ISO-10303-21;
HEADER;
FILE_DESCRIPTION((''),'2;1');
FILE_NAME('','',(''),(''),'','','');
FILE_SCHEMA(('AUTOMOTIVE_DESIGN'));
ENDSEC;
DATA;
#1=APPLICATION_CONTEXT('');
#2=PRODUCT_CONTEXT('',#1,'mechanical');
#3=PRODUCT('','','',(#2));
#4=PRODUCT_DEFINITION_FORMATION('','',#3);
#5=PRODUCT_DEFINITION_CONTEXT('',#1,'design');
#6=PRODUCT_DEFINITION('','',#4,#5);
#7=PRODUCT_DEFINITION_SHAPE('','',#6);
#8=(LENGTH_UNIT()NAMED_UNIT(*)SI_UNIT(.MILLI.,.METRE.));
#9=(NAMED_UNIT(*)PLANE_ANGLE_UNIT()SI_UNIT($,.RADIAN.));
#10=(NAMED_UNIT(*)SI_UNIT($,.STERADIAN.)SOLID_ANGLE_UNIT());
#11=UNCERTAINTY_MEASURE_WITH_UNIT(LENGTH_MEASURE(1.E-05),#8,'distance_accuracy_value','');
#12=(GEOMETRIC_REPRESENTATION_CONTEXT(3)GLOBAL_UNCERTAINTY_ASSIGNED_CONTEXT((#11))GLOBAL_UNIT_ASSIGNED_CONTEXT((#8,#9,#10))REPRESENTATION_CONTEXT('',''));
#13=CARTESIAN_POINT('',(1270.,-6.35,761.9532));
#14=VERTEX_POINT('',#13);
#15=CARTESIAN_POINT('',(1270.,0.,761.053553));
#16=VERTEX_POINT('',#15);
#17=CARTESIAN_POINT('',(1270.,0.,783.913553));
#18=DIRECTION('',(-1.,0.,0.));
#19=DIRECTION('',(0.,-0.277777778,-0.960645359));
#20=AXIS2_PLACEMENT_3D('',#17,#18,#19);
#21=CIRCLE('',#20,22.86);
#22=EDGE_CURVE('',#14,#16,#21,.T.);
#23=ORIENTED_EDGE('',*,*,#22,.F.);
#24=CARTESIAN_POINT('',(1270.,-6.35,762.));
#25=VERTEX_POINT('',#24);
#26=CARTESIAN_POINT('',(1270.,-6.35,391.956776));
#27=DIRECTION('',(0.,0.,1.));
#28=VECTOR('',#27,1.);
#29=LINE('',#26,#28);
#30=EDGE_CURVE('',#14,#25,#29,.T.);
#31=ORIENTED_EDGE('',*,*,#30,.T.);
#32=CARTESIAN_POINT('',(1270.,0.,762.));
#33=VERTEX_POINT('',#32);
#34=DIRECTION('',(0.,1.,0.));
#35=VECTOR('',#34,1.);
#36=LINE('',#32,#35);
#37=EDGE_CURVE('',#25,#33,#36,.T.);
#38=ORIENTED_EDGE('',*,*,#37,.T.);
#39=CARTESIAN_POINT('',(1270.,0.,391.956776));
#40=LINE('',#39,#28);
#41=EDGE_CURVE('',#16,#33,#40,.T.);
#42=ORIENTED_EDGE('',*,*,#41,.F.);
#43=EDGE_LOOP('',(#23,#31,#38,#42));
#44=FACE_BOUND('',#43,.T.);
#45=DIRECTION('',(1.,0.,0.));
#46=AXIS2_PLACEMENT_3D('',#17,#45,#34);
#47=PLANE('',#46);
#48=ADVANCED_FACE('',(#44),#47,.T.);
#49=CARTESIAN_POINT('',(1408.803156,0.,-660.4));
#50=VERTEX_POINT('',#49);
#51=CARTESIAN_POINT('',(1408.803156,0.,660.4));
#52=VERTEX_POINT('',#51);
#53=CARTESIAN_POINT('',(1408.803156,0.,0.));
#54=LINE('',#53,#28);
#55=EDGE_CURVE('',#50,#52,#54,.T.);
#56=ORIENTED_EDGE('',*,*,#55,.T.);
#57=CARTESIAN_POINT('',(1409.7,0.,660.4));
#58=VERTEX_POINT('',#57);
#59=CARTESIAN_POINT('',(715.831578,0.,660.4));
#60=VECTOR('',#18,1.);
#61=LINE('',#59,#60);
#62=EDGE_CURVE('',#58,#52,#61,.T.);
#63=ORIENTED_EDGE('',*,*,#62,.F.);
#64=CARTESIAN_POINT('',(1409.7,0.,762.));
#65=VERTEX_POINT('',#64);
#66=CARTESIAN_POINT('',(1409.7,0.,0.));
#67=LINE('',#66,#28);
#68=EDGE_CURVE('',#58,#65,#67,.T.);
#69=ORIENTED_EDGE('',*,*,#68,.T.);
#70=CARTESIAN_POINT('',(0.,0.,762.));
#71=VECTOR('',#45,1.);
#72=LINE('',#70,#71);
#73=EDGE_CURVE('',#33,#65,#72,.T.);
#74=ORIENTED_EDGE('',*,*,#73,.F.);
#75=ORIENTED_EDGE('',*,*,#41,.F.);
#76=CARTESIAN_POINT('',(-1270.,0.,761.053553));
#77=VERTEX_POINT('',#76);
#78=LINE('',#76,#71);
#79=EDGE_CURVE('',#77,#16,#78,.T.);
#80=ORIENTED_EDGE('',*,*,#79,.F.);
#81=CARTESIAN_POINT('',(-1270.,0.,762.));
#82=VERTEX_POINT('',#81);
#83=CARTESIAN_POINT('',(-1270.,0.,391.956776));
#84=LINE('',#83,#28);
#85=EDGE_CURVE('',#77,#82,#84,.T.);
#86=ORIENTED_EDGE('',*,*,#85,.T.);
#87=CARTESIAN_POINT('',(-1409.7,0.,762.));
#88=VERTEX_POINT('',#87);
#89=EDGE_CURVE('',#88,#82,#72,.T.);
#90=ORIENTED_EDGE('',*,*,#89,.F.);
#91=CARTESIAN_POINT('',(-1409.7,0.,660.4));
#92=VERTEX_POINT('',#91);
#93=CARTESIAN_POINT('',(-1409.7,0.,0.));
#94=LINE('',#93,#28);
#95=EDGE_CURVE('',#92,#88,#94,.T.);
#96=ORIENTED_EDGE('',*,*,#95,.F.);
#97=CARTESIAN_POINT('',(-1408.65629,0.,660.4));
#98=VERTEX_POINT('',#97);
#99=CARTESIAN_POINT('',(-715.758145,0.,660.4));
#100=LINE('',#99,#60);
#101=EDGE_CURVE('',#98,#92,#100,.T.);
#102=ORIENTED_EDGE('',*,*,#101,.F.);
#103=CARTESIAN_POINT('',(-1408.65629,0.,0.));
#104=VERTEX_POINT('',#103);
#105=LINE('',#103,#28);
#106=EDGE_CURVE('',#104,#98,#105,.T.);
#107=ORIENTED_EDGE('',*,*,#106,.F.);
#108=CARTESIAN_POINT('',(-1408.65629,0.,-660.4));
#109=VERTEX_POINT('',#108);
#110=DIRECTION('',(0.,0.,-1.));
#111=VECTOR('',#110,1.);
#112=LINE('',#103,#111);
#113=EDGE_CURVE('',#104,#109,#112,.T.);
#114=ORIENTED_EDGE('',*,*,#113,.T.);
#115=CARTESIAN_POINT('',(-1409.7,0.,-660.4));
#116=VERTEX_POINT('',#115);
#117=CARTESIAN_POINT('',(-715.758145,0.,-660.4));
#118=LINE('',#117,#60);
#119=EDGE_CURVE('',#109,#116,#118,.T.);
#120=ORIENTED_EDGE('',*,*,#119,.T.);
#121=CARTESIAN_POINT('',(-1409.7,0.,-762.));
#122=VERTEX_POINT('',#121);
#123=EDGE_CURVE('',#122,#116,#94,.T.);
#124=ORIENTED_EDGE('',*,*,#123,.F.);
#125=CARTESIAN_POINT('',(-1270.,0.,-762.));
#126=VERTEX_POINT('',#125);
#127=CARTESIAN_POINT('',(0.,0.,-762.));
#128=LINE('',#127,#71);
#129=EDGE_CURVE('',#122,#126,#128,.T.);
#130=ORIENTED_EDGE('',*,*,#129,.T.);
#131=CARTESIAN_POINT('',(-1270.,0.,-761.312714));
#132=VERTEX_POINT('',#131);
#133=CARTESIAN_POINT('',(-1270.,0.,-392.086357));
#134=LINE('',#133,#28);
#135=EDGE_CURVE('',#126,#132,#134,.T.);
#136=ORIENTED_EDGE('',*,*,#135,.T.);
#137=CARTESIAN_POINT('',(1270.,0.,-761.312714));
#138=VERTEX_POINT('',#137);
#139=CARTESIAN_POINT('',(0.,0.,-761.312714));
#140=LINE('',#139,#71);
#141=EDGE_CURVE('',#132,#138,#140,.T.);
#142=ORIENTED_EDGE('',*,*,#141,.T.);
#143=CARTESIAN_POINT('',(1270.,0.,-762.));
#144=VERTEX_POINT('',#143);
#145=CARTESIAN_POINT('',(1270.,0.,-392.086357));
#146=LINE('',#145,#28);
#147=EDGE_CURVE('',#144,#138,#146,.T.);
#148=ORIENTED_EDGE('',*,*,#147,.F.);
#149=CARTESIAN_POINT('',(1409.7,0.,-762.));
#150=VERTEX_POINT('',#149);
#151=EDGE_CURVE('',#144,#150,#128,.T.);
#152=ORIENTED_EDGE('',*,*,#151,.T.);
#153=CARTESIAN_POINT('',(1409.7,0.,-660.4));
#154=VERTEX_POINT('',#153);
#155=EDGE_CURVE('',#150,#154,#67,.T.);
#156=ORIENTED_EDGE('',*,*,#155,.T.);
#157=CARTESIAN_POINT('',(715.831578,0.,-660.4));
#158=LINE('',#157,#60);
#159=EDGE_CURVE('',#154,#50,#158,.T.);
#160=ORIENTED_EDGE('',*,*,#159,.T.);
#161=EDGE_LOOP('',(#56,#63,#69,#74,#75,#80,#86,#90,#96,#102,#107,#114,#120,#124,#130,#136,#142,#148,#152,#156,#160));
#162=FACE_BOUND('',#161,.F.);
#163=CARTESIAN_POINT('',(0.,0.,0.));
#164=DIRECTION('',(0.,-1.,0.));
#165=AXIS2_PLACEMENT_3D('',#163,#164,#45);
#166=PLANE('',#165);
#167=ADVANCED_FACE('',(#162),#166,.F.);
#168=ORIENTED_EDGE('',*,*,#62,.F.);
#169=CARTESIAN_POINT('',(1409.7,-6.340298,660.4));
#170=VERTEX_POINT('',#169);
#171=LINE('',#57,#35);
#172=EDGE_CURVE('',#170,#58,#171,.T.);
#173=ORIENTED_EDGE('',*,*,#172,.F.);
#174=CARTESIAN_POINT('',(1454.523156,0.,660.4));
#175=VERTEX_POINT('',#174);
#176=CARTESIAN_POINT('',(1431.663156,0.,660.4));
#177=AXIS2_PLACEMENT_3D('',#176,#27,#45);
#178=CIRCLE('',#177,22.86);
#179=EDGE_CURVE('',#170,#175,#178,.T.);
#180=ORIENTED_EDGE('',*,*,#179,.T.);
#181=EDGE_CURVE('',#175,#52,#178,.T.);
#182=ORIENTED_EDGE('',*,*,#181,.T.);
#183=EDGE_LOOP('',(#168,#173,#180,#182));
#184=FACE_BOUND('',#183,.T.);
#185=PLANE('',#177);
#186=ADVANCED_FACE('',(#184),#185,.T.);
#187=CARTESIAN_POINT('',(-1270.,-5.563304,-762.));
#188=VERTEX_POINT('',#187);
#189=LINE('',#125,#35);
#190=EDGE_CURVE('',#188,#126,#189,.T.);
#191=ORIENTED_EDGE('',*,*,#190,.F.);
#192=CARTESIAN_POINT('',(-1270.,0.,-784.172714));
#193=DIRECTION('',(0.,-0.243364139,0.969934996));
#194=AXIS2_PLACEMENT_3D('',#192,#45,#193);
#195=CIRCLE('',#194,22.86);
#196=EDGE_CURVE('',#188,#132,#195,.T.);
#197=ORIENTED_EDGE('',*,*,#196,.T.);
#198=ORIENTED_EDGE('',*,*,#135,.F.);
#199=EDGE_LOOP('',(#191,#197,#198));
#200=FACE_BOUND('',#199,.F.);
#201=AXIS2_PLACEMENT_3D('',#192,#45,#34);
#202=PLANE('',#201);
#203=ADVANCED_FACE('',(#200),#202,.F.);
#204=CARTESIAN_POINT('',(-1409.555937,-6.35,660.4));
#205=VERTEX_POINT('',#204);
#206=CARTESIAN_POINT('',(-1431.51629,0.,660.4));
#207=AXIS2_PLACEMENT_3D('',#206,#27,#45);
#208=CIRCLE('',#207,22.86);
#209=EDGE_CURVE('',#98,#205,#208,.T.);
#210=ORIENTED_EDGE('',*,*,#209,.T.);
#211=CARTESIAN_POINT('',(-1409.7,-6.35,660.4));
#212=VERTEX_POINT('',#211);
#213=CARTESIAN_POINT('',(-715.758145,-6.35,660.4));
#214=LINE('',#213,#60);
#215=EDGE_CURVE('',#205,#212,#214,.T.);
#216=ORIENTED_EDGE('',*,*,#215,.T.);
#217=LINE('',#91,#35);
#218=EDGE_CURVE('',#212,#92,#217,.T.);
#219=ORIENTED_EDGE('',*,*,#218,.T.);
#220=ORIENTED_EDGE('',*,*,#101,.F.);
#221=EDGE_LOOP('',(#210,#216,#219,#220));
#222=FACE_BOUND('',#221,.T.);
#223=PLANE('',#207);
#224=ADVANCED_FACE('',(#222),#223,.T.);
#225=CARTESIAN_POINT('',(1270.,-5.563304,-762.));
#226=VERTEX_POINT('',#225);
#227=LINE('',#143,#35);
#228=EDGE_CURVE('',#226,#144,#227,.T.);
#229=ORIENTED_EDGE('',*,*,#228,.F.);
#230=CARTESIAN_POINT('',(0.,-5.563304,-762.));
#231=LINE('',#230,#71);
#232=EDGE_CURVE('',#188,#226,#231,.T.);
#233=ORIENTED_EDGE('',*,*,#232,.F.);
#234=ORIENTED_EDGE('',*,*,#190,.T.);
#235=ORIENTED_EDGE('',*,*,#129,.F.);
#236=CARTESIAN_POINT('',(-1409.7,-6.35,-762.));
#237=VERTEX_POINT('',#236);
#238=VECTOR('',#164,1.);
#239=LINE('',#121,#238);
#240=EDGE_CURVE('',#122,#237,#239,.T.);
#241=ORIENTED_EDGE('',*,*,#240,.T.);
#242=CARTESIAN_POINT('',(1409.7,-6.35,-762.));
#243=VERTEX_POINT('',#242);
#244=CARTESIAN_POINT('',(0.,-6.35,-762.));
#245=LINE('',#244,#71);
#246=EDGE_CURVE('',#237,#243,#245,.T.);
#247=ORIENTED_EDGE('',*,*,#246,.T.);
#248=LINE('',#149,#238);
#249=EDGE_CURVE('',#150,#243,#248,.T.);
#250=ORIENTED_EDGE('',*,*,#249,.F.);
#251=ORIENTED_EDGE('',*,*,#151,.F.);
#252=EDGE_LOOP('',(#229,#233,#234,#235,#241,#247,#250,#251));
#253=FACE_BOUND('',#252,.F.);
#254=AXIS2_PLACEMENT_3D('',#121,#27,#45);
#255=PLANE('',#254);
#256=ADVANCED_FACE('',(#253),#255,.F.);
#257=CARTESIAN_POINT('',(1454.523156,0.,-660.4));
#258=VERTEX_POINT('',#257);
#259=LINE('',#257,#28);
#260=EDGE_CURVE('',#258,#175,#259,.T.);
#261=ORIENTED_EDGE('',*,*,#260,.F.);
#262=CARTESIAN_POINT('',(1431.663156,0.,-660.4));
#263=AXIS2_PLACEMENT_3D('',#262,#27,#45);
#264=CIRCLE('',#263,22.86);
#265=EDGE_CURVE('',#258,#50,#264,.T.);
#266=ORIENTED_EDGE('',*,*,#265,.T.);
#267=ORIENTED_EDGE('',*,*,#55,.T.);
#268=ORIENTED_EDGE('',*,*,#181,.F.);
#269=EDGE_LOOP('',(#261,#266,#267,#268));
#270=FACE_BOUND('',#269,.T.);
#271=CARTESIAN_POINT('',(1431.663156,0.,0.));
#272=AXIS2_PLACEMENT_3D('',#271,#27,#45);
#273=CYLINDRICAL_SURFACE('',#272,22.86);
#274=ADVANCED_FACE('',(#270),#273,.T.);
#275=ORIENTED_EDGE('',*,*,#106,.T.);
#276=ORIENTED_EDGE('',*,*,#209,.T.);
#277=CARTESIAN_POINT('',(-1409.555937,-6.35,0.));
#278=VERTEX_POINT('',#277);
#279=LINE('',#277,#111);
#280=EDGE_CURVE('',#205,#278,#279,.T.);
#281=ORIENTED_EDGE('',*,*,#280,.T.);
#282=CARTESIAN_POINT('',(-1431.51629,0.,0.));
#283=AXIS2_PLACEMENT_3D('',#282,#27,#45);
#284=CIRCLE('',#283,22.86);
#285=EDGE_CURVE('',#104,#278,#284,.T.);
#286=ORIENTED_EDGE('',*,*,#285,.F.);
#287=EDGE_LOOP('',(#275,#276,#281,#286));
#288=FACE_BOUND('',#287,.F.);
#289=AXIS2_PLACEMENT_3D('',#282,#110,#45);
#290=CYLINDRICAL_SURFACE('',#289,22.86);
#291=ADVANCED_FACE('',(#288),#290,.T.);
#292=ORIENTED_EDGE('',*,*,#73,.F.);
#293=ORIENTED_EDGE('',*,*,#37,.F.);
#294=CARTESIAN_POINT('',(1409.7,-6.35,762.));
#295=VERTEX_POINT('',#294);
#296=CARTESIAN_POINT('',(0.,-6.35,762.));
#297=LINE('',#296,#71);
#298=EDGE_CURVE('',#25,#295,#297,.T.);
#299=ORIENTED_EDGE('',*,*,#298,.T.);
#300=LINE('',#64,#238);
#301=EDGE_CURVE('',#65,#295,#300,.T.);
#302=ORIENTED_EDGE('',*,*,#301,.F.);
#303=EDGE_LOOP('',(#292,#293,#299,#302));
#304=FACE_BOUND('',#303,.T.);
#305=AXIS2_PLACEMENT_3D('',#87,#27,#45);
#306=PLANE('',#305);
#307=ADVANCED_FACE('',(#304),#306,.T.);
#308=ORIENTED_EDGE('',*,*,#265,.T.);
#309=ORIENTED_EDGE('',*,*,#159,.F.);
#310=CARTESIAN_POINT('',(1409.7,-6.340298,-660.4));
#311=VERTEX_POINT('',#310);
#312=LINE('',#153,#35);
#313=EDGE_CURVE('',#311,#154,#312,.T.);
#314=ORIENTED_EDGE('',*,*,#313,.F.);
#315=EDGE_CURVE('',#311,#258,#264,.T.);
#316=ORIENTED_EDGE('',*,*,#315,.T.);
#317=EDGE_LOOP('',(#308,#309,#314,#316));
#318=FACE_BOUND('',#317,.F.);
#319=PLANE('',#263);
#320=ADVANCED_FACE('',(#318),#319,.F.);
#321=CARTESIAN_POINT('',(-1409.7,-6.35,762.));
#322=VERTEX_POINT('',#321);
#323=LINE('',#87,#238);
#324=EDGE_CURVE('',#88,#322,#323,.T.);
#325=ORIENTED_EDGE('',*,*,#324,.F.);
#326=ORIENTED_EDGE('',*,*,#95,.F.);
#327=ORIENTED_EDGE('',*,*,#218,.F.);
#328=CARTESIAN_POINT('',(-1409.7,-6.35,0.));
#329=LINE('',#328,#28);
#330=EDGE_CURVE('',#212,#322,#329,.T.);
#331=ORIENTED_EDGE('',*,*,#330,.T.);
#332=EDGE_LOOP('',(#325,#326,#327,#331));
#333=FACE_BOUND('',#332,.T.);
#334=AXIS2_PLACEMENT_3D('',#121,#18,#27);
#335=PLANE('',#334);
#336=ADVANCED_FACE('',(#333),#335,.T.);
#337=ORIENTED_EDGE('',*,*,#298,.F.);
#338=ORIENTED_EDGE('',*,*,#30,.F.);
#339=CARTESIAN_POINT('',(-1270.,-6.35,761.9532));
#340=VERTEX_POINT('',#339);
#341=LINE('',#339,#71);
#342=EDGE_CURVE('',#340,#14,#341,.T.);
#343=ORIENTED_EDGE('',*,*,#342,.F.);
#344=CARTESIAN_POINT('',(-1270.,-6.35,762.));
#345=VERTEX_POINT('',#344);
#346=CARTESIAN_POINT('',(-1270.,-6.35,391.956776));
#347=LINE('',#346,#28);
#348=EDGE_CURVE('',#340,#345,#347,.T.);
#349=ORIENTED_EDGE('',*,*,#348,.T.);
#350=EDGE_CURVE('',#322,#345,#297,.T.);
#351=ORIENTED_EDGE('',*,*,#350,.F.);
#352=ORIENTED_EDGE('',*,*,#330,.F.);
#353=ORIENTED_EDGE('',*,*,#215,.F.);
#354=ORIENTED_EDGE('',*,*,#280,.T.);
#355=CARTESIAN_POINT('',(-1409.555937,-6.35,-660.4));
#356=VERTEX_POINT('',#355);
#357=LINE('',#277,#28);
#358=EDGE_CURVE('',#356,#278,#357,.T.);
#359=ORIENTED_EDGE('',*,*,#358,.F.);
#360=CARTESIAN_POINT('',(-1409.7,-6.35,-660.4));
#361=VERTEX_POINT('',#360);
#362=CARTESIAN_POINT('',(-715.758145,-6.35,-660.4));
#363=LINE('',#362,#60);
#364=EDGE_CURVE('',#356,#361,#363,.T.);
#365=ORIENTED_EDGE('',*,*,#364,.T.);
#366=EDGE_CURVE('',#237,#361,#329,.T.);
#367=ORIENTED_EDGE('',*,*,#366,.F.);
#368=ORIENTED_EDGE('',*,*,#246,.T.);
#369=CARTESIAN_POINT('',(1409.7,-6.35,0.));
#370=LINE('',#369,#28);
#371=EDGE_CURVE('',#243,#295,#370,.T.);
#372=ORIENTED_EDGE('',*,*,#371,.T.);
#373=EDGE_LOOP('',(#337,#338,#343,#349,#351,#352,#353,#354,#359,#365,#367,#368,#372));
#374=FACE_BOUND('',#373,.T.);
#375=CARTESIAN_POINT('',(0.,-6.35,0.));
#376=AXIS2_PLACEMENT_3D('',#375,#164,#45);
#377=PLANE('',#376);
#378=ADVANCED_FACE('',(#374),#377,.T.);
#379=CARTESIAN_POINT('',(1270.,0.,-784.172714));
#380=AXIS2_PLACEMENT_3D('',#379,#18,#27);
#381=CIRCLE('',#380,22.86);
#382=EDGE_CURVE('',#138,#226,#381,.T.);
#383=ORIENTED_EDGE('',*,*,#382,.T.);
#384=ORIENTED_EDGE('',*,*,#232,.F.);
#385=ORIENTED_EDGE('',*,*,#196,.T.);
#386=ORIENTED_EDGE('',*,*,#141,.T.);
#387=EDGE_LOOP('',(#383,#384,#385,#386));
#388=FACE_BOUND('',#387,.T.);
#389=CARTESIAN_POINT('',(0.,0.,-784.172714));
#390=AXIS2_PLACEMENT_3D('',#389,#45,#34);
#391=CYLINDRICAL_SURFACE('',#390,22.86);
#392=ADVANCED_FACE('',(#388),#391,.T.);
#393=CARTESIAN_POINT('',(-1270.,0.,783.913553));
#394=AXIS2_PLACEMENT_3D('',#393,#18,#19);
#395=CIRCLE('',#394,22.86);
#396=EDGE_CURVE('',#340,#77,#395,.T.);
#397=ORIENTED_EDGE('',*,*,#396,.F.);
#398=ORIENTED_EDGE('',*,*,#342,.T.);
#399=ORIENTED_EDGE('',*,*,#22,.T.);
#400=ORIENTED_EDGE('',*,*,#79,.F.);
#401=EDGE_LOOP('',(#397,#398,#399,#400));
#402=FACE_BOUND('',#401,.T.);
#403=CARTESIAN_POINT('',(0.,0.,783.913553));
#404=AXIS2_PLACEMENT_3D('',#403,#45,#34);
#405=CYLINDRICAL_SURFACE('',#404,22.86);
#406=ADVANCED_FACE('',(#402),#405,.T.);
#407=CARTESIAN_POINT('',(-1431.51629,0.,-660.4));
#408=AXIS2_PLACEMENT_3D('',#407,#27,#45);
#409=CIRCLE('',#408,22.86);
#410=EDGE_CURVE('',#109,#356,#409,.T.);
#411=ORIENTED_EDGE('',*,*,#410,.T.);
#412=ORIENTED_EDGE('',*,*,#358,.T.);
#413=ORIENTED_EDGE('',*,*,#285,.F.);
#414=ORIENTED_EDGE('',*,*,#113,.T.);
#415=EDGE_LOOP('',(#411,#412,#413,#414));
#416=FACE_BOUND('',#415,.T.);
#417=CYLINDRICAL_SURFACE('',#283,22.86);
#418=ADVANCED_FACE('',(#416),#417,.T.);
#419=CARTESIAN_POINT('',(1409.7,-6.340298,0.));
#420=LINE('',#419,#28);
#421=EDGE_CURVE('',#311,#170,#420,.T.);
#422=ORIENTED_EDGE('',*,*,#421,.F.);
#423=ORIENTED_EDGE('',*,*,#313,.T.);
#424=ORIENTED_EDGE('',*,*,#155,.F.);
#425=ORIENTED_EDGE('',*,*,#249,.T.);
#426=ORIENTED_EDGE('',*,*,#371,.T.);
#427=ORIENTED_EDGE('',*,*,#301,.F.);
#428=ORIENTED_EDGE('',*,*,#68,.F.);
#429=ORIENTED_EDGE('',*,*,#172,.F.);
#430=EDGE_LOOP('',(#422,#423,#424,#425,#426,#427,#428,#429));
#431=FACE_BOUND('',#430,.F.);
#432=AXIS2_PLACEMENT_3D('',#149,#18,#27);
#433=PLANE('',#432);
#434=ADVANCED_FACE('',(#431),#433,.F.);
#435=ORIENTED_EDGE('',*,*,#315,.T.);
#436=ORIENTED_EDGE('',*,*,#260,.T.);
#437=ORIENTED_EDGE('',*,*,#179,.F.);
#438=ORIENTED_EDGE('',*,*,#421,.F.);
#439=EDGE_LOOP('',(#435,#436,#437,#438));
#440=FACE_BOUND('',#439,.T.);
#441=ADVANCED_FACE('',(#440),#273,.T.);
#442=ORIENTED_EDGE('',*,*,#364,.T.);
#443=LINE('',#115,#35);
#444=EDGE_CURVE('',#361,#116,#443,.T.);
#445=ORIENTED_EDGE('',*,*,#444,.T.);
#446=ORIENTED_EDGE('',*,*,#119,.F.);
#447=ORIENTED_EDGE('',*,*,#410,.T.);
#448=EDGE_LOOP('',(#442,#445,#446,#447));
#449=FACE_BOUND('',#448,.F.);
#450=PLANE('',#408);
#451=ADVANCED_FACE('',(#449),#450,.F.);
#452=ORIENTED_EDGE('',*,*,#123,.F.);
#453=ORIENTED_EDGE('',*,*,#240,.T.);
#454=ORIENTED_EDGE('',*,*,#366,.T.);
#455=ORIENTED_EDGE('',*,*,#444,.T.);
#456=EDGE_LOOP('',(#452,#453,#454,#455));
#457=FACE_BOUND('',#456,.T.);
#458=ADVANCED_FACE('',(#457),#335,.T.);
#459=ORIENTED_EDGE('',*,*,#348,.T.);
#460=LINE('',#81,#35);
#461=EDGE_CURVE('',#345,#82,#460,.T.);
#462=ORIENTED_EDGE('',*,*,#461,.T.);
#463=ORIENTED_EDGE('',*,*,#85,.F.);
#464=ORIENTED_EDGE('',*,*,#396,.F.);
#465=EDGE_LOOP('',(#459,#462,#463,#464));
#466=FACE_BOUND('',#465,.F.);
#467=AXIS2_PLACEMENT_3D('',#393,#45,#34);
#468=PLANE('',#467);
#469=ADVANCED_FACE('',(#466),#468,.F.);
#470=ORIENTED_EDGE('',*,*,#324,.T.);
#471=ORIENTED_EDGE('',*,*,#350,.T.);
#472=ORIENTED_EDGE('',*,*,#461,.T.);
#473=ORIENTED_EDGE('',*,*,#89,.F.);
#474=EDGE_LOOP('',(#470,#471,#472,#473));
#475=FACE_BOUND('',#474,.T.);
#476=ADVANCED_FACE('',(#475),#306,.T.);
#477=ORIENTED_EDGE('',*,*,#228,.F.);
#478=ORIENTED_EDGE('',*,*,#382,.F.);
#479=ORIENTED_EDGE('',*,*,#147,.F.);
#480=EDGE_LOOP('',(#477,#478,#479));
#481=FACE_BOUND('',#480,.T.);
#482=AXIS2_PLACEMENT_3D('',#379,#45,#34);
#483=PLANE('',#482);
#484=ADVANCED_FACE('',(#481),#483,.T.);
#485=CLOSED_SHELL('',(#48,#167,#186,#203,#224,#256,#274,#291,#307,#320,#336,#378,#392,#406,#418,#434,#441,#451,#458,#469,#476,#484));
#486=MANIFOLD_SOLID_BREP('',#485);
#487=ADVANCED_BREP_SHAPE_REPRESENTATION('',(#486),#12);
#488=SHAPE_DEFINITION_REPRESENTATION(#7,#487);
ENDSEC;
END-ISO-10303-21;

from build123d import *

# Parameters (mm, degrees)
F0_W     = 2819.4
F0_H     = 1524
F2_DEPTH = 6.35
F1_R     = 22.86
F3_DEPTH = 1270
F4_R     = 22.86
F5_DEPTH = 660.4


with BuildPart() as f2:
    # F0 (on Front) → F2 (new body)
    with BuildSketch(Plane.XZ):
        Rectangle(F0_W, F0_H)
    extrude(amount=F2_DEPTH)

    # F1 (on Right) → F3 (join, symmetric)
    with BuildSketch(Plane.YZ):
        with Locations((0, 783.913553)):
            Circle(F1_R)
        with Locations((0, -784.172714)):
            Circle(F1_R)
    extrude(amount=F3_DEPTH, both=True)

    # F4 (on Top) → F5 (join, symmetric)
    with BuildSketch(Plane.XY):
        with Locations((-1431.51629, 0)):
            Circle(F4_R)
        with Locations((1431.663156, 0)):
            Circle(F4_R)
    extrude(amount=F5_DEPTH, both=True)


solid = f2.part
